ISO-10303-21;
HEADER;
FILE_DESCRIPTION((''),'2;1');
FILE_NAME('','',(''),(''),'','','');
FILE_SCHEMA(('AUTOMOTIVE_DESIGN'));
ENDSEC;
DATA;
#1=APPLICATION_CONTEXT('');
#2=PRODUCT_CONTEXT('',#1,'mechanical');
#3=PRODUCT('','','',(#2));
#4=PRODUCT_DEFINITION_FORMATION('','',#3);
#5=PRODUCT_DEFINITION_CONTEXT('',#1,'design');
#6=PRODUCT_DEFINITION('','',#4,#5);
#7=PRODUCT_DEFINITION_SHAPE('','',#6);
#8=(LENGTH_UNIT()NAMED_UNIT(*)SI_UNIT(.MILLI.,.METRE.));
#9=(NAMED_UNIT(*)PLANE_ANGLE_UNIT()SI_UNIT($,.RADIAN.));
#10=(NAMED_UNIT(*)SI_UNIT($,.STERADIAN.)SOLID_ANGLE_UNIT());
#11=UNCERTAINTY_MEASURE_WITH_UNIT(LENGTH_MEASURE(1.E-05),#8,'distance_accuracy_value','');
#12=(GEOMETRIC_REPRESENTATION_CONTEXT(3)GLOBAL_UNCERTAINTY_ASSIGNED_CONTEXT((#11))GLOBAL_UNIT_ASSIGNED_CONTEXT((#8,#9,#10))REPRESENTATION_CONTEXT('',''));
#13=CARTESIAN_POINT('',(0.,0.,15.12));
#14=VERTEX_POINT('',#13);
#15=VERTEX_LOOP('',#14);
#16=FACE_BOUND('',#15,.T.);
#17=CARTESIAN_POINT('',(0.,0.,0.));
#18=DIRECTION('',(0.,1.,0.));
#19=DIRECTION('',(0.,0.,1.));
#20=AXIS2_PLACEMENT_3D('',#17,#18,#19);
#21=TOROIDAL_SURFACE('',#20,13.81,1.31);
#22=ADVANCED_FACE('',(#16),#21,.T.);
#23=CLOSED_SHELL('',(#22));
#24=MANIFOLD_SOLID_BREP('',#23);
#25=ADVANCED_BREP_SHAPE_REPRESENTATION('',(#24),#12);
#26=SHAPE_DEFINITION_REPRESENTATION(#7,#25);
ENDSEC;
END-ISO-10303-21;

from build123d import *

# Parameters (mm, degrees)
ESQUISSE1_R = 1.31


with BuildPart() as part:
    # Esquisse1 → Révolution1 (revolve)
    with BuildSketch(Plane.XY):
        with Locations((13.81, 0)):
            Circle(ESQUISSE1_R)
    revolve(axis=Axis((0, 9.544226001, 0), (0, -1, 0)))


solid = part.part
